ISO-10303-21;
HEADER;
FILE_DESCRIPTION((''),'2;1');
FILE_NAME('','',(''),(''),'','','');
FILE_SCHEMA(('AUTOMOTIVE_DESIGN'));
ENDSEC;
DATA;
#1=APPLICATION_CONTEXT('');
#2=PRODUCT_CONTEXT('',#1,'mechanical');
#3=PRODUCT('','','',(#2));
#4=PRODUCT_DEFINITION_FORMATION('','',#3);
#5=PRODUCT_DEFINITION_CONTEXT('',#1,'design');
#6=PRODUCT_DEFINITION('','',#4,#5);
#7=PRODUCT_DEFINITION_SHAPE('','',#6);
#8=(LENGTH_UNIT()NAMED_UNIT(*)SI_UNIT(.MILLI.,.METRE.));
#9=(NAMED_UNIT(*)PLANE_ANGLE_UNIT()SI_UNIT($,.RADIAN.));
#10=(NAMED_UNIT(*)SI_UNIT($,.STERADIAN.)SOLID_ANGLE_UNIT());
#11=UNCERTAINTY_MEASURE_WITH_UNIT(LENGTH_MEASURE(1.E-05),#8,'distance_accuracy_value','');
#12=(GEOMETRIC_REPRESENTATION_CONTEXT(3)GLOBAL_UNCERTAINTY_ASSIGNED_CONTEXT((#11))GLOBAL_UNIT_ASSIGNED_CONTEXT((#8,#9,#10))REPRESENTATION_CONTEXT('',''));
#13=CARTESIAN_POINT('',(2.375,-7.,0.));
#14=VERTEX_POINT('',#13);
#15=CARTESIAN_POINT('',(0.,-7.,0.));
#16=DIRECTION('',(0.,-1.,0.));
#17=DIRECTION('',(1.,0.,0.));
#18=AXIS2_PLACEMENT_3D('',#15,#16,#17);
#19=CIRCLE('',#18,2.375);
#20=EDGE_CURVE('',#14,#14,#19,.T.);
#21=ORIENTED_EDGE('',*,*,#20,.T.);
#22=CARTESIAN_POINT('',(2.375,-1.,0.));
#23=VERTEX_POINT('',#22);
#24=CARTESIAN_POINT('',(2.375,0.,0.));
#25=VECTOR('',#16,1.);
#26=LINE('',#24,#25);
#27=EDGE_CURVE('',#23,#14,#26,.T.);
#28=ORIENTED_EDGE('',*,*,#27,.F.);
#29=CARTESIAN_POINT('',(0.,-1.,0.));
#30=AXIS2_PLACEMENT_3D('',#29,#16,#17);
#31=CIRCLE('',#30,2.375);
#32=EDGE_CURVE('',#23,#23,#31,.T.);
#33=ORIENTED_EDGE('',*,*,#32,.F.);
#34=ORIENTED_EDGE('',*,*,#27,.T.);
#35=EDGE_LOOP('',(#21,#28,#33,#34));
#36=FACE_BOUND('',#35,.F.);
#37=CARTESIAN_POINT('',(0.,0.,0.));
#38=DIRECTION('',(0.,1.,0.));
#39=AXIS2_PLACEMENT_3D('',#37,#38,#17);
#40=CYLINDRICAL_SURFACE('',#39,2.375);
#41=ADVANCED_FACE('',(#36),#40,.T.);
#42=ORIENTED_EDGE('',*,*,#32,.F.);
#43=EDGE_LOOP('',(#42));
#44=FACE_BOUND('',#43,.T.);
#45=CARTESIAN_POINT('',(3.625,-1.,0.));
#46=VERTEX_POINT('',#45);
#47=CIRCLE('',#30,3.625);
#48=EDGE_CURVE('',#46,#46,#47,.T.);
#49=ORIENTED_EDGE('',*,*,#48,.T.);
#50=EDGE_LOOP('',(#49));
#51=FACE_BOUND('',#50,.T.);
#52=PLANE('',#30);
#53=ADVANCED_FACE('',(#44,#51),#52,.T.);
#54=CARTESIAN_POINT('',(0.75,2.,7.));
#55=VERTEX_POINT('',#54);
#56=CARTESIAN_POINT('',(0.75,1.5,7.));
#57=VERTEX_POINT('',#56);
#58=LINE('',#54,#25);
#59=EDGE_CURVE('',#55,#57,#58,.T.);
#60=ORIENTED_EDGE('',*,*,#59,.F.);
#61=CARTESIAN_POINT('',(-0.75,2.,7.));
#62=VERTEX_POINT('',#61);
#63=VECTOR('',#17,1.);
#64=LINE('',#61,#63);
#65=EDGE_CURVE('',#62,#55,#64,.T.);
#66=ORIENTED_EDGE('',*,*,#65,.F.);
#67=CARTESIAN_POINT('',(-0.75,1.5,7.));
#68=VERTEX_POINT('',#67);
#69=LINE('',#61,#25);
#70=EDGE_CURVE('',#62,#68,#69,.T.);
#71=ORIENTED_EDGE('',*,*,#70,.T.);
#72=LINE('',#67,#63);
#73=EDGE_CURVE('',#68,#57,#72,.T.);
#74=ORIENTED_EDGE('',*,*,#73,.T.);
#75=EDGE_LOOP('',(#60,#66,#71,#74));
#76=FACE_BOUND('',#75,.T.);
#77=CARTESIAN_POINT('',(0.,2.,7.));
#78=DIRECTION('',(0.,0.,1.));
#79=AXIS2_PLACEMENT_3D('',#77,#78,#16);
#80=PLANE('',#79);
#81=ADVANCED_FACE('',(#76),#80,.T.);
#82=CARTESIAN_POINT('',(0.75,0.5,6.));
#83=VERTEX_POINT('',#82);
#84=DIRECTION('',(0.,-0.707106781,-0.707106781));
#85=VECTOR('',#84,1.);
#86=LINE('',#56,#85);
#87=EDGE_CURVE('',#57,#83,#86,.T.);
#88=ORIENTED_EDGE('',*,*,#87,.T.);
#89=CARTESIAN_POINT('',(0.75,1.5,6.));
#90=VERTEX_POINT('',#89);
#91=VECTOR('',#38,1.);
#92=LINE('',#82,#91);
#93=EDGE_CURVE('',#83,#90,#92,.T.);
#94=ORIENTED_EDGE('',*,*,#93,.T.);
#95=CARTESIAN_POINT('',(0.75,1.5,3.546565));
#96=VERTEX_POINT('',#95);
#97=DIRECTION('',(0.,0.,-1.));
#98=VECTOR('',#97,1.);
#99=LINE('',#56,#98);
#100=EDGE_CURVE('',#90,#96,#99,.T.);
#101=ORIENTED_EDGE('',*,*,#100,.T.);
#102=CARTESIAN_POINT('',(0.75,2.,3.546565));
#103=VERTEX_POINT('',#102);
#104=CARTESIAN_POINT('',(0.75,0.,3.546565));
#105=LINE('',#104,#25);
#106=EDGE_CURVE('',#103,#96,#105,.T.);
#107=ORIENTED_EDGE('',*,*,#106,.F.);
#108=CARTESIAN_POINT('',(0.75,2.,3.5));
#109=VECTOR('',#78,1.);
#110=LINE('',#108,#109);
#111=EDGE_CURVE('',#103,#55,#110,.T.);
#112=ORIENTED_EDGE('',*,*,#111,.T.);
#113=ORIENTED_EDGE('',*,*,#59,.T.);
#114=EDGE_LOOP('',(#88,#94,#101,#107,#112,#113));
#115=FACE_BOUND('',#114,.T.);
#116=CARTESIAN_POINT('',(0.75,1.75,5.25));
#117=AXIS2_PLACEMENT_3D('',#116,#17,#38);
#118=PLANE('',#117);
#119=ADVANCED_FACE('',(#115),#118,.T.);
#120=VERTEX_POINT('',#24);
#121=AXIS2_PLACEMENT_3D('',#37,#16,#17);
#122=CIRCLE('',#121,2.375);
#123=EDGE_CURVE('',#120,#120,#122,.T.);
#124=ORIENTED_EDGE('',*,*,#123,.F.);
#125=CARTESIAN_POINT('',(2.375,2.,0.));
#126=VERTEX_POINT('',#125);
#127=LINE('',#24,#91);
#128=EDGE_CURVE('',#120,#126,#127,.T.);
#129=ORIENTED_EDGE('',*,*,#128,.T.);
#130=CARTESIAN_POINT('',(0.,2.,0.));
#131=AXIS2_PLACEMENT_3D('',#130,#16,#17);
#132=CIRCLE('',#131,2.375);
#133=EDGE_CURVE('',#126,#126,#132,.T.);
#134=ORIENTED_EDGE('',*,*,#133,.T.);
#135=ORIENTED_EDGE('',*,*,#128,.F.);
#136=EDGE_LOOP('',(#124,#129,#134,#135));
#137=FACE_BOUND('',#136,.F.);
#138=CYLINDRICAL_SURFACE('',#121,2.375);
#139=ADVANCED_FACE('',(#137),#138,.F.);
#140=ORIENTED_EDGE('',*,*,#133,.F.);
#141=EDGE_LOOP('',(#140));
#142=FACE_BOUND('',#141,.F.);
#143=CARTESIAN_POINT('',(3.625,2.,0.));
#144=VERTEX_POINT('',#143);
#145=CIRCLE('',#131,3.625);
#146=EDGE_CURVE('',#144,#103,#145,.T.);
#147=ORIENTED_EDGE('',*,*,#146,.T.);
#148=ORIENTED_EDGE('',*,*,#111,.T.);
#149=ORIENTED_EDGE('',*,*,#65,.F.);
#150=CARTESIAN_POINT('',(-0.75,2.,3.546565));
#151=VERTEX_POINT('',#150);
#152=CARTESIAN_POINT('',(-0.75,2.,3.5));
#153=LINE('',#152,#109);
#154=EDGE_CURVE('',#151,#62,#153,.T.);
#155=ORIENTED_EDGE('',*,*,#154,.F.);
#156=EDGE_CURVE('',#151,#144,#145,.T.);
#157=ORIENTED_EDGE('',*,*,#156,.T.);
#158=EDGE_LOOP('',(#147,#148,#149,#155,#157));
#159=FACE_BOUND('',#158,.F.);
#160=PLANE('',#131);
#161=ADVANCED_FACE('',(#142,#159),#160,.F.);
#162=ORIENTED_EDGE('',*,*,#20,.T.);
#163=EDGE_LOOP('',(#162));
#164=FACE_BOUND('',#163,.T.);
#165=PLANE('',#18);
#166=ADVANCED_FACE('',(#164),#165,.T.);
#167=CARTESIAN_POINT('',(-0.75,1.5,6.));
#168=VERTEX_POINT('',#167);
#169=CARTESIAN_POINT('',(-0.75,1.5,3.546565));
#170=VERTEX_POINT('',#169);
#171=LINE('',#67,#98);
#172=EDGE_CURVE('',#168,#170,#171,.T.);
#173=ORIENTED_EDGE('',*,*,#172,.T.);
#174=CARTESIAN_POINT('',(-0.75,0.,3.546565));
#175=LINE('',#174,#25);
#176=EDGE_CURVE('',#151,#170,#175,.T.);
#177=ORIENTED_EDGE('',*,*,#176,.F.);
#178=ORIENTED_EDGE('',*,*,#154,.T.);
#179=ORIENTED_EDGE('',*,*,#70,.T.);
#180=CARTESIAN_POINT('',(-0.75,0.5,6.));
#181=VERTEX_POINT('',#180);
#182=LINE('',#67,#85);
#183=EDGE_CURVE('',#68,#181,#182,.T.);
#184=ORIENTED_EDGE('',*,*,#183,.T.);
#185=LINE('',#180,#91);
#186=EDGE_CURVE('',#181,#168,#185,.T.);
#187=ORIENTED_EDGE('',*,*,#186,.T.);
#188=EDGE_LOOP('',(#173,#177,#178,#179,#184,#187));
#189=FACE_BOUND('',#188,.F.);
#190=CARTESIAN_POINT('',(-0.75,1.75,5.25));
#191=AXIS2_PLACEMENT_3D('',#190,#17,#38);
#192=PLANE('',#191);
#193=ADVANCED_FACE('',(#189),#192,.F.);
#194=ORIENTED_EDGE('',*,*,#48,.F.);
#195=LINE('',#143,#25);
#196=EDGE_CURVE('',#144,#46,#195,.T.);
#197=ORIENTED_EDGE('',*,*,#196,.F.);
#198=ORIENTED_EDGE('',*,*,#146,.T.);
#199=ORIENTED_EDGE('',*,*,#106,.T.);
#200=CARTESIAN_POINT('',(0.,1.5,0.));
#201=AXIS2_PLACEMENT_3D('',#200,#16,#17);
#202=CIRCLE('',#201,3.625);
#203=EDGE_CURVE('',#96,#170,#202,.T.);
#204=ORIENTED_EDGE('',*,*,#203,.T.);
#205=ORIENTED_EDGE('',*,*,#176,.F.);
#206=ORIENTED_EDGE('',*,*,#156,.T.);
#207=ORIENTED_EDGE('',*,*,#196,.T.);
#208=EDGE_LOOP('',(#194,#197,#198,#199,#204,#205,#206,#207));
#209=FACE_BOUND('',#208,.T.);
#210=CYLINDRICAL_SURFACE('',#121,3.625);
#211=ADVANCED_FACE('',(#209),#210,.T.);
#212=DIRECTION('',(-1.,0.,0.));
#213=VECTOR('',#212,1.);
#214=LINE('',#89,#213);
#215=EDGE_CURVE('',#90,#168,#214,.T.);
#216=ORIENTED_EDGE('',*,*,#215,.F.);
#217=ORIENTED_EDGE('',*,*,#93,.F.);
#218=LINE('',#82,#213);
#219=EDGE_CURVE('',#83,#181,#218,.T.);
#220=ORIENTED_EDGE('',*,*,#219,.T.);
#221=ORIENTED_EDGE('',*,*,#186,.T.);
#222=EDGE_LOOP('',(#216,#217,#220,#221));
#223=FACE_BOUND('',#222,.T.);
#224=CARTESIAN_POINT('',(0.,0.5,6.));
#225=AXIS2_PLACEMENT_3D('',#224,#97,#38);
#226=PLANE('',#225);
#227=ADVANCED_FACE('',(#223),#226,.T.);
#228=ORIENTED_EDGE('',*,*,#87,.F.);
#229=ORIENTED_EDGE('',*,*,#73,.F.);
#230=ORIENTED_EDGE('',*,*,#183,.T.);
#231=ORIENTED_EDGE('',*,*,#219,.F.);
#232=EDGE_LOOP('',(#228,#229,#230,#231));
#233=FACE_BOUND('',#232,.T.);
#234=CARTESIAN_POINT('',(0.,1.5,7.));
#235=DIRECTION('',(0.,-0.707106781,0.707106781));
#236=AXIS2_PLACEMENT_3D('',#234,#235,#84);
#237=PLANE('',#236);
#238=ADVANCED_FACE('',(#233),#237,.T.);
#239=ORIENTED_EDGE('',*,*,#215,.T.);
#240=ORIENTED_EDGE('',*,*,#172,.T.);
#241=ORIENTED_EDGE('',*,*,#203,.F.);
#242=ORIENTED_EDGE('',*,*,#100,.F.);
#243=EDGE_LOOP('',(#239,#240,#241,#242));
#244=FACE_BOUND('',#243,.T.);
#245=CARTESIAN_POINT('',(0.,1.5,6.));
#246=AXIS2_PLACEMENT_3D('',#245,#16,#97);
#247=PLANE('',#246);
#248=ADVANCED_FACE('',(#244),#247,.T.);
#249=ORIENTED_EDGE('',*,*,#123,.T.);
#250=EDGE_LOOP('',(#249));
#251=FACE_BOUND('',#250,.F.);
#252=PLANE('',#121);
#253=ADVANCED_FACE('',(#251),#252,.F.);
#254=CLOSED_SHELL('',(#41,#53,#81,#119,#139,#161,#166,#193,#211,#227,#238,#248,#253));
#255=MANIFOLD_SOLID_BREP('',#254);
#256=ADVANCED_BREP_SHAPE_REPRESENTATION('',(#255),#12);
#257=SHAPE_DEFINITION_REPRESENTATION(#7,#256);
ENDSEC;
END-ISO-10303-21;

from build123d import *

# Parameters (mm, degrees)
F0_R          = 3.625
F0_R_2        = 2.375
F1_DEPTH      = 1
F1_DEPTH_BACK = 2
F2_DEPTH      = 7
F4_DEPTH      = 0.75


with BuildPart() as f1:
    # F0 (on Front) → F1 (new body, two sides)
    with BuildSketch(Plane.XZ) as f1_sk:
        Circle(F0_R)
        Circle(F0_R_2, mode=Mode.SUBTRACT)
    extrude(amount=F1_DEPTH)
    extrude(f1_sk.sketch, amount=-F1_DEPTH_BACK)

    # F0 (on Front) → F2 (join)
    with BuildSketch(Plane.XZ):
        Circle(F0_R_2)
    extrude(amount=F2_DEPTH)

    # F3 (on Right) → F4 (join, symmetric)
    with BuildSketch(Plane.YZ):
        Polygon((1.5, 3.5), (2, 3.5), (2, 7), (1.5, 7), (1.5, 6), align=None)
        Polygon((0.5, 6), (1.5, 6), (1.5, 7), align=None)
    extrude(amount=F4_DEPTH, both=True)


solid = f1.part
